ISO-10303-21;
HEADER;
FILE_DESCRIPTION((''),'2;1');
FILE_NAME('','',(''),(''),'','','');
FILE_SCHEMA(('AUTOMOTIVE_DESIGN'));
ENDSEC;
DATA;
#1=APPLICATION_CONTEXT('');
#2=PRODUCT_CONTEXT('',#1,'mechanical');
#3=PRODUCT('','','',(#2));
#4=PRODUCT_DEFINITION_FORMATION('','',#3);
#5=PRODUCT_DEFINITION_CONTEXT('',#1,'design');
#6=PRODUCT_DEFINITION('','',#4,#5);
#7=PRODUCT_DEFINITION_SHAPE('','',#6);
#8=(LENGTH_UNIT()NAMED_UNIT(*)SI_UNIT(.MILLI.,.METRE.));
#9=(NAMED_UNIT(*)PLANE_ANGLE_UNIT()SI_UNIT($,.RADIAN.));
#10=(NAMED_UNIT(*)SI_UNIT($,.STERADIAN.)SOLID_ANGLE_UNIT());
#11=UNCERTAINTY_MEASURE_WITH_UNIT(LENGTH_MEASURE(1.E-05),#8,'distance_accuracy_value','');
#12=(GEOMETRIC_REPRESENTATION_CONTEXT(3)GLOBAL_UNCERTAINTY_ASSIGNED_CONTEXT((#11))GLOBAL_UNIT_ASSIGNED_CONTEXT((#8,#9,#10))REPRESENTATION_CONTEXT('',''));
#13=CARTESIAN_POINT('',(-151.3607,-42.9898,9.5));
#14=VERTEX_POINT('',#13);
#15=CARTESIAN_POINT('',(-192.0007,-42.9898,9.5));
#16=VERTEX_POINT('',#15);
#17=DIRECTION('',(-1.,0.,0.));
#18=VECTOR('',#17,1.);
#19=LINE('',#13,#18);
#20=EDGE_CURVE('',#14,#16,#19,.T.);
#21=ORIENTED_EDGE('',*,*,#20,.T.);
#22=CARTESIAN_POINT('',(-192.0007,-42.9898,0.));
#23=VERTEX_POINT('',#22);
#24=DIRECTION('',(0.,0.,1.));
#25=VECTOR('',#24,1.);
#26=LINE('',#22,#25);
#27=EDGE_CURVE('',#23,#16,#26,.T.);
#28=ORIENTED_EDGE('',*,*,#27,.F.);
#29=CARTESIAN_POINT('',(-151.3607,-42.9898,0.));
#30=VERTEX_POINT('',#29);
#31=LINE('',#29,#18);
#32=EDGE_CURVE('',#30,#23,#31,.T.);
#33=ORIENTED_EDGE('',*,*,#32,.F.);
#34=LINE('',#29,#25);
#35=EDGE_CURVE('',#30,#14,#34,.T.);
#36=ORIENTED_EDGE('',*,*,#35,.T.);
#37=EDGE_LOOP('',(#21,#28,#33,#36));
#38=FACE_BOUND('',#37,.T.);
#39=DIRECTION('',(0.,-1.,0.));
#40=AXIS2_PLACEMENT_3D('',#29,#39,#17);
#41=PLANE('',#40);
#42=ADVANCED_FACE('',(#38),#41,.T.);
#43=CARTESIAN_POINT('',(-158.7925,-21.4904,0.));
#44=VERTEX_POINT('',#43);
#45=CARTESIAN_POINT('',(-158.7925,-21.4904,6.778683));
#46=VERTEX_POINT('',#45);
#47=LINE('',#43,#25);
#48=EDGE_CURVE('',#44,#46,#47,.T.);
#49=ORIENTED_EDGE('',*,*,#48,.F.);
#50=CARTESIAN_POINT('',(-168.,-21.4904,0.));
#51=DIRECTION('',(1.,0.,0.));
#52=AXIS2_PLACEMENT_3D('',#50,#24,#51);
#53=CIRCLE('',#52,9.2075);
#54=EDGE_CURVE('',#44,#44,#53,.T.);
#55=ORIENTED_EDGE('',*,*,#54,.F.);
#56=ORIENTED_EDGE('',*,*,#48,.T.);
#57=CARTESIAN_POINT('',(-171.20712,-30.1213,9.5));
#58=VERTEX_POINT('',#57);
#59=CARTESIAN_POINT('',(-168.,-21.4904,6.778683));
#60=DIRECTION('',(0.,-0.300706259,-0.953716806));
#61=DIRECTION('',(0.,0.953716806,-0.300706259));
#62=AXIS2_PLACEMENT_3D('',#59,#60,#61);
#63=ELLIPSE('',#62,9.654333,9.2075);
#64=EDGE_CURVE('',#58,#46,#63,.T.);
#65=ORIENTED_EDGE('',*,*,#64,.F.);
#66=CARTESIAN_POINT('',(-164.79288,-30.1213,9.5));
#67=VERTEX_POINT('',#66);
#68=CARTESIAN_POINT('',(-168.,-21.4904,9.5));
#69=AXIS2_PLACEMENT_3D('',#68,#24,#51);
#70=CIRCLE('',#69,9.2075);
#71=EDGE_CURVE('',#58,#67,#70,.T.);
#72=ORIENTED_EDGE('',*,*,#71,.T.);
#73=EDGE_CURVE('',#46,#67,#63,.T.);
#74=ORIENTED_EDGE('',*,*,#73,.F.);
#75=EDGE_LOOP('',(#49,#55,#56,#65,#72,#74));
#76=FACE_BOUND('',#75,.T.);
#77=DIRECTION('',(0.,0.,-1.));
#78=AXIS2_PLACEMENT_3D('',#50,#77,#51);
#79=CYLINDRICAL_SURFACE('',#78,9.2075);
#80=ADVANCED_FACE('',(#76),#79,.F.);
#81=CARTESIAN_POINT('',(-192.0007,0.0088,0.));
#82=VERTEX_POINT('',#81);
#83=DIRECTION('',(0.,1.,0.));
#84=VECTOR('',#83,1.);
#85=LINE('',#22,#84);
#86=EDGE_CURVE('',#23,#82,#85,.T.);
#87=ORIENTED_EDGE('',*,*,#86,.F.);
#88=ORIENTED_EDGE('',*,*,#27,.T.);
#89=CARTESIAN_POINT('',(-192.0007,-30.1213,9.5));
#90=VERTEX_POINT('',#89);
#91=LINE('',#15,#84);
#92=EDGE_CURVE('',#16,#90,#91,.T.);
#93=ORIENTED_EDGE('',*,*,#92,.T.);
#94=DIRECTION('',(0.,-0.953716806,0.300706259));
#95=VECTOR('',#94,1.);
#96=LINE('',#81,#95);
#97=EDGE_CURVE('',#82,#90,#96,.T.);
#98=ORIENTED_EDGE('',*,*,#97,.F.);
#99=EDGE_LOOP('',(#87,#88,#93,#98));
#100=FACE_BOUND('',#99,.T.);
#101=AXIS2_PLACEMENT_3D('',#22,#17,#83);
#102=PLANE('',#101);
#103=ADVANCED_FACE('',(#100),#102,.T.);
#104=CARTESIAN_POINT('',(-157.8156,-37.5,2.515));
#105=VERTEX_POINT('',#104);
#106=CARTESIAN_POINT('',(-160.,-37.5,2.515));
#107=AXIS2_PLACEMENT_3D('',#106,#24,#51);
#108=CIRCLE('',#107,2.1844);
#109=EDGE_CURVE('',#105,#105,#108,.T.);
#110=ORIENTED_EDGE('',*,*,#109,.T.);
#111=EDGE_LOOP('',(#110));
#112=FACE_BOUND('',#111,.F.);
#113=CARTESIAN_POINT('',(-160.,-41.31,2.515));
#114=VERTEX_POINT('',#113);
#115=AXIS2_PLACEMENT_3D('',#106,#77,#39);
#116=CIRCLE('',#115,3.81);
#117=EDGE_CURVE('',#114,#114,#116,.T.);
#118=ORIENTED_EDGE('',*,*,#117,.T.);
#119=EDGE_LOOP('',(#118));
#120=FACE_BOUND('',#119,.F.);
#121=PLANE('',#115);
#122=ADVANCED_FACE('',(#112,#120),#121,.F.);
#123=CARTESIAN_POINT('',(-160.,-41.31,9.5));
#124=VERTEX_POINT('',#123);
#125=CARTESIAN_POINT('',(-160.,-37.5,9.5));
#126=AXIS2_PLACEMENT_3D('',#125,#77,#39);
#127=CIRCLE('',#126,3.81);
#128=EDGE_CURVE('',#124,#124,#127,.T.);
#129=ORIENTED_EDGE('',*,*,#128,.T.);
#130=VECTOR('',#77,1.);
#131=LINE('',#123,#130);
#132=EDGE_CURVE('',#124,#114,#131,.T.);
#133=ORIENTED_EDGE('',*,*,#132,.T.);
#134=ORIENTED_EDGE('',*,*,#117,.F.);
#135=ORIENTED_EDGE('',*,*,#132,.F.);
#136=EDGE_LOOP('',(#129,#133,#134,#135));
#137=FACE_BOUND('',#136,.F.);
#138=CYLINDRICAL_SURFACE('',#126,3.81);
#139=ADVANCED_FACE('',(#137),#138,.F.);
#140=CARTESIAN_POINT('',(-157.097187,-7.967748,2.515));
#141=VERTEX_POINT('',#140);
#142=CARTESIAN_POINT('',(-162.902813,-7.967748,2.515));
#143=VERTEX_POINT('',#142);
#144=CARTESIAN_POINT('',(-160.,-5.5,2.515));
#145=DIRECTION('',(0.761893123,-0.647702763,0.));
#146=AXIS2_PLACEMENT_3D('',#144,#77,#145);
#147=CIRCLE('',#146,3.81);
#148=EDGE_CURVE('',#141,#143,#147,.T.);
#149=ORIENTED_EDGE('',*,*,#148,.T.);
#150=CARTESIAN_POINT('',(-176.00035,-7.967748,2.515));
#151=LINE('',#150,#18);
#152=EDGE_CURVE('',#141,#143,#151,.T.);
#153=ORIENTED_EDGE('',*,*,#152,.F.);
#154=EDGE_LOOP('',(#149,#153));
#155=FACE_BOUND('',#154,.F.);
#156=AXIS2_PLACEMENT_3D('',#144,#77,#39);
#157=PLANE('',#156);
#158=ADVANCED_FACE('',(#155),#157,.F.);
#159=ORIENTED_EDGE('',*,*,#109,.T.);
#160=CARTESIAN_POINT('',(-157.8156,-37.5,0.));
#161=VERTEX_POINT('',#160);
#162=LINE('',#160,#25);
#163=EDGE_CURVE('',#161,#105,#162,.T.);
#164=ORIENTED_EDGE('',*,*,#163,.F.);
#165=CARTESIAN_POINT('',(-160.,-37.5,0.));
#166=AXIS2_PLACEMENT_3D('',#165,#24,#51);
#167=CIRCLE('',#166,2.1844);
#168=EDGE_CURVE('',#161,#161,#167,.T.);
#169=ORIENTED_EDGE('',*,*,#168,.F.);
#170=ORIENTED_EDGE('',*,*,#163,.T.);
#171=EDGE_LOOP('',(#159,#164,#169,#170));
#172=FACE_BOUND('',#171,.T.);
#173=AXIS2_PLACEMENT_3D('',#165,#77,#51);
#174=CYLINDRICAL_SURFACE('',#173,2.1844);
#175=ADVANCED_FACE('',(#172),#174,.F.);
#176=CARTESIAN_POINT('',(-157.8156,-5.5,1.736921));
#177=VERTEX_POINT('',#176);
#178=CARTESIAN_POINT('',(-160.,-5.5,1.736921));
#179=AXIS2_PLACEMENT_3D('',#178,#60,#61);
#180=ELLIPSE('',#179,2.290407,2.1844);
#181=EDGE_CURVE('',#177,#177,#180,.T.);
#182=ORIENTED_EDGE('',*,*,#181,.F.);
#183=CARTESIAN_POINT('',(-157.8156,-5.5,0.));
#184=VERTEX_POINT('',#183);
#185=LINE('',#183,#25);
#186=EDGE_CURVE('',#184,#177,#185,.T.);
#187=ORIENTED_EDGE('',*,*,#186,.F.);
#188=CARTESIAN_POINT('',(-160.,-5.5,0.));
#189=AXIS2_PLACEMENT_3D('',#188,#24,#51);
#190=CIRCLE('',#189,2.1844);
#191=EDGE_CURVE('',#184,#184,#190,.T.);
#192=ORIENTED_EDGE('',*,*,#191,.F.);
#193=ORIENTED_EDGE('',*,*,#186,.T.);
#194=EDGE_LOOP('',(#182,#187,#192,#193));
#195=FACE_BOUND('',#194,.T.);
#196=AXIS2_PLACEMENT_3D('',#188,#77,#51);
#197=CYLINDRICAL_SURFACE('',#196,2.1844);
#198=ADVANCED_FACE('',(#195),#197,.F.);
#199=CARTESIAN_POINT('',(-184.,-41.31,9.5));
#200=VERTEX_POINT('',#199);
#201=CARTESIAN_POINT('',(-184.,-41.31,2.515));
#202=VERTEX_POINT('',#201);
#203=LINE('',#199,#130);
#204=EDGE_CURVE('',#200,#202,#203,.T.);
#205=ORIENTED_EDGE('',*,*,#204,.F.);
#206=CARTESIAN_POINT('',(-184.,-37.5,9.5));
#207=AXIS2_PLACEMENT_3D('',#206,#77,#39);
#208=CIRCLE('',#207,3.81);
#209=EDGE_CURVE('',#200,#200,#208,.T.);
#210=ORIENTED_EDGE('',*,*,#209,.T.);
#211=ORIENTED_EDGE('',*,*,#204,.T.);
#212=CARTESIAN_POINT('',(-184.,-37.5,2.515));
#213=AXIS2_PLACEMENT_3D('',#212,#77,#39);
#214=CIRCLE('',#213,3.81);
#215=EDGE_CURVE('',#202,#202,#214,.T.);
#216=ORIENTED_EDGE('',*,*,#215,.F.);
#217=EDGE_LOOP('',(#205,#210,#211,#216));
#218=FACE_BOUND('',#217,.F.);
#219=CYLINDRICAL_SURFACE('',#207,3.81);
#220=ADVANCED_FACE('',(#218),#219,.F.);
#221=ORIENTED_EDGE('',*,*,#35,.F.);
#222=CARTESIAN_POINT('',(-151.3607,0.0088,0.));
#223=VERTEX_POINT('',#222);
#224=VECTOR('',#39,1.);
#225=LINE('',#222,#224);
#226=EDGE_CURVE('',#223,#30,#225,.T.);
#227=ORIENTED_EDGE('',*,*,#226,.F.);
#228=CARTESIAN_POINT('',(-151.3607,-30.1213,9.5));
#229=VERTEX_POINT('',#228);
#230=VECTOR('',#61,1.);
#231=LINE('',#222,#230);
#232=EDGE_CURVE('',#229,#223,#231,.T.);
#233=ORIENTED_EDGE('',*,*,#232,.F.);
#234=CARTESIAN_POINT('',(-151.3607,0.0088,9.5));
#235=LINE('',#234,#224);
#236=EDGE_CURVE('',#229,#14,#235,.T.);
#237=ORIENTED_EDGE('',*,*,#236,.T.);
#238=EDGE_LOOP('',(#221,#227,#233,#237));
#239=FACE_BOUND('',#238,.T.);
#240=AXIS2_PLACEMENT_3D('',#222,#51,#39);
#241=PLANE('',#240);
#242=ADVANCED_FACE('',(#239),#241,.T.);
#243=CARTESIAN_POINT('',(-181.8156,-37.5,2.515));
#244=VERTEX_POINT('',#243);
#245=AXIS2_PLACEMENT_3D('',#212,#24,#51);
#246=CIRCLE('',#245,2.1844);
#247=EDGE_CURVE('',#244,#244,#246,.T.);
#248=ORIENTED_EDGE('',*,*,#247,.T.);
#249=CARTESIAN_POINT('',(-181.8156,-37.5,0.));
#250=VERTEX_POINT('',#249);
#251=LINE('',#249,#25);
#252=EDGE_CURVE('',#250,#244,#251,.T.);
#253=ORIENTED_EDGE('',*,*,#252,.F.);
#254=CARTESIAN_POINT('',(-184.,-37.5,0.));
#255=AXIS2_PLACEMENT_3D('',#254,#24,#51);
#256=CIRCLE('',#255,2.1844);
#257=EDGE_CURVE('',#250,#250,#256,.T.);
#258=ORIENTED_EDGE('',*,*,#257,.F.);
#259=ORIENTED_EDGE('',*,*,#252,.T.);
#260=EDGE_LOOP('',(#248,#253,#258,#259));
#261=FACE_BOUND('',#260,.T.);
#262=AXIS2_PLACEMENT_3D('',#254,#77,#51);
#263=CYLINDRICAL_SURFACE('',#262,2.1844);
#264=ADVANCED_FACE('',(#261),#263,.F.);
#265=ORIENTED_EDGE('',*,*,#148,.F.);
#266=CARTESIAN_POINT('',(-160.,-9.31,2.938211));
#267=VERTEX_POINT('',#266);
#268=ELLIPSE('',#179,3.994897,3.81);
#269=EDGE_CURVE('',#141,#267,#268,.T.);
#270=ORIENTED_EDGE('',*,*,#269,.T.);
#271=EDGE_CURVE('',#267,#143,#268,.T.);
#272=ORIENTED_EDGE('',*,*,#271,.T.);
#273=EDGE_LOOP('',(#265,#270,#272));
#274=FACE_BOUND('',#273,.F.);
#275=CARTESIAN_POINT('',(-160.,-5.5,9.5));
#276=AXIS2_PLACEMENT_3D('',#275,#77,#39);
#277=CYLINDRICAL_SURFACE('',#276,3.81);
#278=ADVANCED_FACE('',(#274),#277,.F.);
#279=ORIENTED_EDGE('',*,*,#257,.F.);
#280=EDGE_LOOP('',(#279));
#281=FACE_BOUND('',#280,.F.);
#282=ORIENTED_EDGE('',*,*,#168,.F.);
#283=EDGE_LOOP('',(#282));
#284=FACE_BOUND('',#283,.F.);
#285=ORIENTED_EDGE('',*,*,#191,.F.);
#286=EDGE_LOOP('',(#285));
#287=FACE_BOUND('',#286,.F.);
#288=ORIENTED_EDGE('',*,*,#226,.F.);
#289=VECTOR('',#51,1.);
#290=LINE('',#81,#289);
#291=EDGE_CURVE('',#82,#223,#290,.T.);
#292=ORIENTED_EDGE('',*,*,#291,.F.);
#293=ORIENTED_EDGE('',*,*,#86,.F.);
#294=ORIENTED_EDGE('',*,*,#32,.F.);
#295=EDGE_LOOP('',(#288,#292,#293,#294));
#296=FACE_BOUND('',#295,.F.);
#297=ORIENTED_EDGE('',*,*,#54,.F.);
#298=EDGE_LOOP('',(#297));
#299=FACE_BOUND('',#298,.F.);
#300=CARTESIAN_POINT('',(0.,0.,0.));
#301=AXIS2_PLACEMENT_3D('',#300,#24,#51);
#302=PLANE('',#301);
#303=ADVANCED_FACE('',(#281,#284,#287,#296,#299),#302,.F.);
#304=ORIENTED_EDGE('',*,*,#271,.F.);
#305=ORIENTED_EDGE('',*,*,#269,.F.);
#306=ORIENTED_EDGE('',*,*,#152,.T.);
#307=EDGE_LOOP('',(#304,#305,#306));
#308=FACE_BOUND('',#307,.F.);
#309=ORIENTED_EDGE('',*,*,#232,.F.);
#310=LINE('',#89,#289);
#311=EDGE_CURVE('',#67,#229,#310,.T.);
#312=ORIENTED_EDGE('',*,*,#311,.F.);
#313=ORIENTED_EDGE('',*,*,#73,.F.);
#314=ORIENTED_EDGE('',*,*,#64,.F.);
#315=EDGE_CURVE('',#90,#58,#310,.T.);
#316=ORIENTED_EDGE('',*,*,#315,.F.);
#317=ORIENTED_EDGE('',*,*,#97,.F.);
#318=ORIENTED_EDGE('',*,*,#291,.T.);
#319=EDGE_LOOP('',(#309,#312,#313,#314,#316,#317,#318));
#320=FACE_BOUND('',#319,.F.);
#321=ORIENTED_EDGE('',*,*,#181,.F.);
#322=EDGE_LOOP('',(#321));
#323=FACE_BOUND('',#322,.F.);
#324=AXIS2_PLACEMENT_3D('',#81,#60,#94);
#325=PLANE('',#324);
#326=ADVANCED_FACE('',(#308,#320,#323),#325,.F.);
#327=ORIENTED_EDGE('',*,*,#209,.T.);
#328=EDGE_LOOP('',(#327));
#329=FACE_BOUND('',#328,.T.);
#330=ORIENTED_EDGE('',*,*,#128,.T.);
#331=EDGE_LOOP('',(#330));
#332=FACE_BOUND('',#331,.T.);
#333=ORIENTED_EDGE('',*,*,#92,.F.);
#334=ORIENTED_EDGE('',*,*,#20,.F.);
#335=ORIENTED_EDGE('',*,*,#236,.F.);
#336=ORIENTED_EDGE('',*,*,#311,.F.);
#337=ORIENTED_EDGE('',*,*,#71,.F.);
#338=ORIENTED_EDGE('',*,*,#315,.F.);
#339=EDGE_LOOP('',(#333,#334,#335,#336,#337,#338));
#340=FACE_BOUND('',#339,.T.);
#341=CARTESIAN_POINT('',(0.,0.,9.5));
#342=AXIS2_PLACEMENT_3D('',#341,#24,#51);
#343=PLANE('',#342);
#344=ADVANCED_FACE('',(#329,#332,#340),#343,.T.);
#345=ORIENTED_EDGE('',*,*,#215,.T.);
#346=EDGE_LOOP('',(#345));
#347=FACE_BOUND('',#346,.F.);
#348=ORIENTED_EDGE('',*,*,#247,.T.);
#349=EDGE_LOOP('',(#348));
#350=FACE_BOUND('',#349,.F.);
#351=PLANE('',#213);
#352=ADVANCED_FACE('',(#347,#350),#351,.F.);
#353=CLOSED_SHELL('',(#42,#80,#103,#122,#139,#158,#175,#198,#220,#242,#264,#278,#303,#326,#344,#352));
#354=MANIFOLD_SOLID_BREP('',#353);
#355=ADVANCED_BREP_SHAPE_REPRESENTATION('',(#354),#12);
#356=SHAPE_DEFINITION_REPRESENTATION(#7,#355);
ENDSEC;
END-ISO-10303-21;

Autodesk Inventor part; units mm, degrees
ref_plane "Work Plane1" through (0, -45.5, -2.5) normal (0, 0, -1) x (-1, 0, 0)
ref_plane "Work Plane2" through (0, 0, 0) normal (0, 0, 1) x (1, 0, 0)
sketch "Sketch2" plane through (0, 0, 0) normal (0, 0, 1) x (1, 0, 0)
  line L0 (-191.9993, -42.9912) -> (0.0007, -42.9846) construction
  line L1 (-192.0007, 0.0088) -> (0, 0.0154) construction
  line L2 (-192.0007, 0.0088) -> (-191.9993, -42.9912) construction
  circle A0 centre (-168, -21.4904) radius 7.975 construction
  line L3 (-192.0007, 0.0088) -> (-151.3607, 0.0088)
  line L4 (-151.3607, 0.0088) -> (-151.3607, -42.9898)
  line L5 (-151.3607, -42.9898) -> (-192.0007, -42.9898)
  line L6 (-192.0007, -42.9898) -> (-192.0007, 0.0088)
  circle A1 centre (-168, -21.4904) radius 9.2075
  circle A2 centre (-160, -5.5) radius 2 construction
  circle A3 centre (-160, -37.5) radius 2 construction
  circle A4 centre (-160, -5.5) radius 2.1844
  circle A5 centre (-160, -37.5) radius 2.1844
  circle A6 centre (-184, -37.5) radius 2 construction
  circle A7 centre (-184, -37.5) radius 2.1844
  point P0 (0, 0)
  dimension "d0" = 40.64
  dimension "d1" = 18.415
  dimension "d5" = 4.3688
  dimension "d6" = 4.3688
  dimension "d9" = 4.3688
ref_plane "Work Plane3" through (-192, -45.5, 9.5) normal (0, 0, 1) x (1, 0, 0)
ref_plane "Work Plane4" through (-192, -45.5, 9.5) normal (0, 0, 1) x (1, 0, 0)
ref_plane "Work Plane5" through (-192, 0, 9.5) normal (0, 0, 1) x (1, 0, 0)
extrude "Extrusion3" add sketch "Sketch2" along normal up to surface (9.5 mm away)
sketch "Sketch3" plane through (-192.0007, 0.0088, 9.5) normal (0, 0, 1) x (1, 0, 0)
  circle A0 centre (8.0007, -37.5088) radius 2.1844 projected
  circle A1 centre (32.0007, -37.5088) radius 2.1844 projected
  circle A2 centre (32.0007, -5.5088) radius 2.1844 projected
  point P0 (192.0007, -0.0088)
hole "Hole1" at (-184, -37.5, 9.5) at (-160, -37.5, 9.5) at (-160, -5.5, 9.5) direction (0, 0, -1) diameter 4.3688 end through all counterbore diameter 7.62 counterbore depth 6.985
sketch "Sketch6" plane through (-192.0007, -42.9898, 0) normal (-1, 0, 0) x (0, 0, 1)
  line L0 (4.3851, 29.7217) -> (2.7047, 35.051) construction
  line L1 (0, 42.9986) -> (0, 0) projected
  line L2 (0, 42.9986) -> (9.5, 12.8685)
  line L3 (9.5, 42.9986) -> (9.5, 0) projected
  line L4 (0, 42.9986) -> (31.5923, 42.9986) construction
  line L5 (9.5, 12.8685) -> (9.5, 42.9986)
  line L6 (0, 42.9986) -> (9.5, 42.9986) projected
  line L7 (9.5, 42.9986) -> (0, 42.9986)
  point P0 (0, 42.9898)
  dimension "d23" = 72.5
extrude "Extrusion5" cut sketch "Sketch6" against normal through all
properties part number "BallCasterMountTemp"
